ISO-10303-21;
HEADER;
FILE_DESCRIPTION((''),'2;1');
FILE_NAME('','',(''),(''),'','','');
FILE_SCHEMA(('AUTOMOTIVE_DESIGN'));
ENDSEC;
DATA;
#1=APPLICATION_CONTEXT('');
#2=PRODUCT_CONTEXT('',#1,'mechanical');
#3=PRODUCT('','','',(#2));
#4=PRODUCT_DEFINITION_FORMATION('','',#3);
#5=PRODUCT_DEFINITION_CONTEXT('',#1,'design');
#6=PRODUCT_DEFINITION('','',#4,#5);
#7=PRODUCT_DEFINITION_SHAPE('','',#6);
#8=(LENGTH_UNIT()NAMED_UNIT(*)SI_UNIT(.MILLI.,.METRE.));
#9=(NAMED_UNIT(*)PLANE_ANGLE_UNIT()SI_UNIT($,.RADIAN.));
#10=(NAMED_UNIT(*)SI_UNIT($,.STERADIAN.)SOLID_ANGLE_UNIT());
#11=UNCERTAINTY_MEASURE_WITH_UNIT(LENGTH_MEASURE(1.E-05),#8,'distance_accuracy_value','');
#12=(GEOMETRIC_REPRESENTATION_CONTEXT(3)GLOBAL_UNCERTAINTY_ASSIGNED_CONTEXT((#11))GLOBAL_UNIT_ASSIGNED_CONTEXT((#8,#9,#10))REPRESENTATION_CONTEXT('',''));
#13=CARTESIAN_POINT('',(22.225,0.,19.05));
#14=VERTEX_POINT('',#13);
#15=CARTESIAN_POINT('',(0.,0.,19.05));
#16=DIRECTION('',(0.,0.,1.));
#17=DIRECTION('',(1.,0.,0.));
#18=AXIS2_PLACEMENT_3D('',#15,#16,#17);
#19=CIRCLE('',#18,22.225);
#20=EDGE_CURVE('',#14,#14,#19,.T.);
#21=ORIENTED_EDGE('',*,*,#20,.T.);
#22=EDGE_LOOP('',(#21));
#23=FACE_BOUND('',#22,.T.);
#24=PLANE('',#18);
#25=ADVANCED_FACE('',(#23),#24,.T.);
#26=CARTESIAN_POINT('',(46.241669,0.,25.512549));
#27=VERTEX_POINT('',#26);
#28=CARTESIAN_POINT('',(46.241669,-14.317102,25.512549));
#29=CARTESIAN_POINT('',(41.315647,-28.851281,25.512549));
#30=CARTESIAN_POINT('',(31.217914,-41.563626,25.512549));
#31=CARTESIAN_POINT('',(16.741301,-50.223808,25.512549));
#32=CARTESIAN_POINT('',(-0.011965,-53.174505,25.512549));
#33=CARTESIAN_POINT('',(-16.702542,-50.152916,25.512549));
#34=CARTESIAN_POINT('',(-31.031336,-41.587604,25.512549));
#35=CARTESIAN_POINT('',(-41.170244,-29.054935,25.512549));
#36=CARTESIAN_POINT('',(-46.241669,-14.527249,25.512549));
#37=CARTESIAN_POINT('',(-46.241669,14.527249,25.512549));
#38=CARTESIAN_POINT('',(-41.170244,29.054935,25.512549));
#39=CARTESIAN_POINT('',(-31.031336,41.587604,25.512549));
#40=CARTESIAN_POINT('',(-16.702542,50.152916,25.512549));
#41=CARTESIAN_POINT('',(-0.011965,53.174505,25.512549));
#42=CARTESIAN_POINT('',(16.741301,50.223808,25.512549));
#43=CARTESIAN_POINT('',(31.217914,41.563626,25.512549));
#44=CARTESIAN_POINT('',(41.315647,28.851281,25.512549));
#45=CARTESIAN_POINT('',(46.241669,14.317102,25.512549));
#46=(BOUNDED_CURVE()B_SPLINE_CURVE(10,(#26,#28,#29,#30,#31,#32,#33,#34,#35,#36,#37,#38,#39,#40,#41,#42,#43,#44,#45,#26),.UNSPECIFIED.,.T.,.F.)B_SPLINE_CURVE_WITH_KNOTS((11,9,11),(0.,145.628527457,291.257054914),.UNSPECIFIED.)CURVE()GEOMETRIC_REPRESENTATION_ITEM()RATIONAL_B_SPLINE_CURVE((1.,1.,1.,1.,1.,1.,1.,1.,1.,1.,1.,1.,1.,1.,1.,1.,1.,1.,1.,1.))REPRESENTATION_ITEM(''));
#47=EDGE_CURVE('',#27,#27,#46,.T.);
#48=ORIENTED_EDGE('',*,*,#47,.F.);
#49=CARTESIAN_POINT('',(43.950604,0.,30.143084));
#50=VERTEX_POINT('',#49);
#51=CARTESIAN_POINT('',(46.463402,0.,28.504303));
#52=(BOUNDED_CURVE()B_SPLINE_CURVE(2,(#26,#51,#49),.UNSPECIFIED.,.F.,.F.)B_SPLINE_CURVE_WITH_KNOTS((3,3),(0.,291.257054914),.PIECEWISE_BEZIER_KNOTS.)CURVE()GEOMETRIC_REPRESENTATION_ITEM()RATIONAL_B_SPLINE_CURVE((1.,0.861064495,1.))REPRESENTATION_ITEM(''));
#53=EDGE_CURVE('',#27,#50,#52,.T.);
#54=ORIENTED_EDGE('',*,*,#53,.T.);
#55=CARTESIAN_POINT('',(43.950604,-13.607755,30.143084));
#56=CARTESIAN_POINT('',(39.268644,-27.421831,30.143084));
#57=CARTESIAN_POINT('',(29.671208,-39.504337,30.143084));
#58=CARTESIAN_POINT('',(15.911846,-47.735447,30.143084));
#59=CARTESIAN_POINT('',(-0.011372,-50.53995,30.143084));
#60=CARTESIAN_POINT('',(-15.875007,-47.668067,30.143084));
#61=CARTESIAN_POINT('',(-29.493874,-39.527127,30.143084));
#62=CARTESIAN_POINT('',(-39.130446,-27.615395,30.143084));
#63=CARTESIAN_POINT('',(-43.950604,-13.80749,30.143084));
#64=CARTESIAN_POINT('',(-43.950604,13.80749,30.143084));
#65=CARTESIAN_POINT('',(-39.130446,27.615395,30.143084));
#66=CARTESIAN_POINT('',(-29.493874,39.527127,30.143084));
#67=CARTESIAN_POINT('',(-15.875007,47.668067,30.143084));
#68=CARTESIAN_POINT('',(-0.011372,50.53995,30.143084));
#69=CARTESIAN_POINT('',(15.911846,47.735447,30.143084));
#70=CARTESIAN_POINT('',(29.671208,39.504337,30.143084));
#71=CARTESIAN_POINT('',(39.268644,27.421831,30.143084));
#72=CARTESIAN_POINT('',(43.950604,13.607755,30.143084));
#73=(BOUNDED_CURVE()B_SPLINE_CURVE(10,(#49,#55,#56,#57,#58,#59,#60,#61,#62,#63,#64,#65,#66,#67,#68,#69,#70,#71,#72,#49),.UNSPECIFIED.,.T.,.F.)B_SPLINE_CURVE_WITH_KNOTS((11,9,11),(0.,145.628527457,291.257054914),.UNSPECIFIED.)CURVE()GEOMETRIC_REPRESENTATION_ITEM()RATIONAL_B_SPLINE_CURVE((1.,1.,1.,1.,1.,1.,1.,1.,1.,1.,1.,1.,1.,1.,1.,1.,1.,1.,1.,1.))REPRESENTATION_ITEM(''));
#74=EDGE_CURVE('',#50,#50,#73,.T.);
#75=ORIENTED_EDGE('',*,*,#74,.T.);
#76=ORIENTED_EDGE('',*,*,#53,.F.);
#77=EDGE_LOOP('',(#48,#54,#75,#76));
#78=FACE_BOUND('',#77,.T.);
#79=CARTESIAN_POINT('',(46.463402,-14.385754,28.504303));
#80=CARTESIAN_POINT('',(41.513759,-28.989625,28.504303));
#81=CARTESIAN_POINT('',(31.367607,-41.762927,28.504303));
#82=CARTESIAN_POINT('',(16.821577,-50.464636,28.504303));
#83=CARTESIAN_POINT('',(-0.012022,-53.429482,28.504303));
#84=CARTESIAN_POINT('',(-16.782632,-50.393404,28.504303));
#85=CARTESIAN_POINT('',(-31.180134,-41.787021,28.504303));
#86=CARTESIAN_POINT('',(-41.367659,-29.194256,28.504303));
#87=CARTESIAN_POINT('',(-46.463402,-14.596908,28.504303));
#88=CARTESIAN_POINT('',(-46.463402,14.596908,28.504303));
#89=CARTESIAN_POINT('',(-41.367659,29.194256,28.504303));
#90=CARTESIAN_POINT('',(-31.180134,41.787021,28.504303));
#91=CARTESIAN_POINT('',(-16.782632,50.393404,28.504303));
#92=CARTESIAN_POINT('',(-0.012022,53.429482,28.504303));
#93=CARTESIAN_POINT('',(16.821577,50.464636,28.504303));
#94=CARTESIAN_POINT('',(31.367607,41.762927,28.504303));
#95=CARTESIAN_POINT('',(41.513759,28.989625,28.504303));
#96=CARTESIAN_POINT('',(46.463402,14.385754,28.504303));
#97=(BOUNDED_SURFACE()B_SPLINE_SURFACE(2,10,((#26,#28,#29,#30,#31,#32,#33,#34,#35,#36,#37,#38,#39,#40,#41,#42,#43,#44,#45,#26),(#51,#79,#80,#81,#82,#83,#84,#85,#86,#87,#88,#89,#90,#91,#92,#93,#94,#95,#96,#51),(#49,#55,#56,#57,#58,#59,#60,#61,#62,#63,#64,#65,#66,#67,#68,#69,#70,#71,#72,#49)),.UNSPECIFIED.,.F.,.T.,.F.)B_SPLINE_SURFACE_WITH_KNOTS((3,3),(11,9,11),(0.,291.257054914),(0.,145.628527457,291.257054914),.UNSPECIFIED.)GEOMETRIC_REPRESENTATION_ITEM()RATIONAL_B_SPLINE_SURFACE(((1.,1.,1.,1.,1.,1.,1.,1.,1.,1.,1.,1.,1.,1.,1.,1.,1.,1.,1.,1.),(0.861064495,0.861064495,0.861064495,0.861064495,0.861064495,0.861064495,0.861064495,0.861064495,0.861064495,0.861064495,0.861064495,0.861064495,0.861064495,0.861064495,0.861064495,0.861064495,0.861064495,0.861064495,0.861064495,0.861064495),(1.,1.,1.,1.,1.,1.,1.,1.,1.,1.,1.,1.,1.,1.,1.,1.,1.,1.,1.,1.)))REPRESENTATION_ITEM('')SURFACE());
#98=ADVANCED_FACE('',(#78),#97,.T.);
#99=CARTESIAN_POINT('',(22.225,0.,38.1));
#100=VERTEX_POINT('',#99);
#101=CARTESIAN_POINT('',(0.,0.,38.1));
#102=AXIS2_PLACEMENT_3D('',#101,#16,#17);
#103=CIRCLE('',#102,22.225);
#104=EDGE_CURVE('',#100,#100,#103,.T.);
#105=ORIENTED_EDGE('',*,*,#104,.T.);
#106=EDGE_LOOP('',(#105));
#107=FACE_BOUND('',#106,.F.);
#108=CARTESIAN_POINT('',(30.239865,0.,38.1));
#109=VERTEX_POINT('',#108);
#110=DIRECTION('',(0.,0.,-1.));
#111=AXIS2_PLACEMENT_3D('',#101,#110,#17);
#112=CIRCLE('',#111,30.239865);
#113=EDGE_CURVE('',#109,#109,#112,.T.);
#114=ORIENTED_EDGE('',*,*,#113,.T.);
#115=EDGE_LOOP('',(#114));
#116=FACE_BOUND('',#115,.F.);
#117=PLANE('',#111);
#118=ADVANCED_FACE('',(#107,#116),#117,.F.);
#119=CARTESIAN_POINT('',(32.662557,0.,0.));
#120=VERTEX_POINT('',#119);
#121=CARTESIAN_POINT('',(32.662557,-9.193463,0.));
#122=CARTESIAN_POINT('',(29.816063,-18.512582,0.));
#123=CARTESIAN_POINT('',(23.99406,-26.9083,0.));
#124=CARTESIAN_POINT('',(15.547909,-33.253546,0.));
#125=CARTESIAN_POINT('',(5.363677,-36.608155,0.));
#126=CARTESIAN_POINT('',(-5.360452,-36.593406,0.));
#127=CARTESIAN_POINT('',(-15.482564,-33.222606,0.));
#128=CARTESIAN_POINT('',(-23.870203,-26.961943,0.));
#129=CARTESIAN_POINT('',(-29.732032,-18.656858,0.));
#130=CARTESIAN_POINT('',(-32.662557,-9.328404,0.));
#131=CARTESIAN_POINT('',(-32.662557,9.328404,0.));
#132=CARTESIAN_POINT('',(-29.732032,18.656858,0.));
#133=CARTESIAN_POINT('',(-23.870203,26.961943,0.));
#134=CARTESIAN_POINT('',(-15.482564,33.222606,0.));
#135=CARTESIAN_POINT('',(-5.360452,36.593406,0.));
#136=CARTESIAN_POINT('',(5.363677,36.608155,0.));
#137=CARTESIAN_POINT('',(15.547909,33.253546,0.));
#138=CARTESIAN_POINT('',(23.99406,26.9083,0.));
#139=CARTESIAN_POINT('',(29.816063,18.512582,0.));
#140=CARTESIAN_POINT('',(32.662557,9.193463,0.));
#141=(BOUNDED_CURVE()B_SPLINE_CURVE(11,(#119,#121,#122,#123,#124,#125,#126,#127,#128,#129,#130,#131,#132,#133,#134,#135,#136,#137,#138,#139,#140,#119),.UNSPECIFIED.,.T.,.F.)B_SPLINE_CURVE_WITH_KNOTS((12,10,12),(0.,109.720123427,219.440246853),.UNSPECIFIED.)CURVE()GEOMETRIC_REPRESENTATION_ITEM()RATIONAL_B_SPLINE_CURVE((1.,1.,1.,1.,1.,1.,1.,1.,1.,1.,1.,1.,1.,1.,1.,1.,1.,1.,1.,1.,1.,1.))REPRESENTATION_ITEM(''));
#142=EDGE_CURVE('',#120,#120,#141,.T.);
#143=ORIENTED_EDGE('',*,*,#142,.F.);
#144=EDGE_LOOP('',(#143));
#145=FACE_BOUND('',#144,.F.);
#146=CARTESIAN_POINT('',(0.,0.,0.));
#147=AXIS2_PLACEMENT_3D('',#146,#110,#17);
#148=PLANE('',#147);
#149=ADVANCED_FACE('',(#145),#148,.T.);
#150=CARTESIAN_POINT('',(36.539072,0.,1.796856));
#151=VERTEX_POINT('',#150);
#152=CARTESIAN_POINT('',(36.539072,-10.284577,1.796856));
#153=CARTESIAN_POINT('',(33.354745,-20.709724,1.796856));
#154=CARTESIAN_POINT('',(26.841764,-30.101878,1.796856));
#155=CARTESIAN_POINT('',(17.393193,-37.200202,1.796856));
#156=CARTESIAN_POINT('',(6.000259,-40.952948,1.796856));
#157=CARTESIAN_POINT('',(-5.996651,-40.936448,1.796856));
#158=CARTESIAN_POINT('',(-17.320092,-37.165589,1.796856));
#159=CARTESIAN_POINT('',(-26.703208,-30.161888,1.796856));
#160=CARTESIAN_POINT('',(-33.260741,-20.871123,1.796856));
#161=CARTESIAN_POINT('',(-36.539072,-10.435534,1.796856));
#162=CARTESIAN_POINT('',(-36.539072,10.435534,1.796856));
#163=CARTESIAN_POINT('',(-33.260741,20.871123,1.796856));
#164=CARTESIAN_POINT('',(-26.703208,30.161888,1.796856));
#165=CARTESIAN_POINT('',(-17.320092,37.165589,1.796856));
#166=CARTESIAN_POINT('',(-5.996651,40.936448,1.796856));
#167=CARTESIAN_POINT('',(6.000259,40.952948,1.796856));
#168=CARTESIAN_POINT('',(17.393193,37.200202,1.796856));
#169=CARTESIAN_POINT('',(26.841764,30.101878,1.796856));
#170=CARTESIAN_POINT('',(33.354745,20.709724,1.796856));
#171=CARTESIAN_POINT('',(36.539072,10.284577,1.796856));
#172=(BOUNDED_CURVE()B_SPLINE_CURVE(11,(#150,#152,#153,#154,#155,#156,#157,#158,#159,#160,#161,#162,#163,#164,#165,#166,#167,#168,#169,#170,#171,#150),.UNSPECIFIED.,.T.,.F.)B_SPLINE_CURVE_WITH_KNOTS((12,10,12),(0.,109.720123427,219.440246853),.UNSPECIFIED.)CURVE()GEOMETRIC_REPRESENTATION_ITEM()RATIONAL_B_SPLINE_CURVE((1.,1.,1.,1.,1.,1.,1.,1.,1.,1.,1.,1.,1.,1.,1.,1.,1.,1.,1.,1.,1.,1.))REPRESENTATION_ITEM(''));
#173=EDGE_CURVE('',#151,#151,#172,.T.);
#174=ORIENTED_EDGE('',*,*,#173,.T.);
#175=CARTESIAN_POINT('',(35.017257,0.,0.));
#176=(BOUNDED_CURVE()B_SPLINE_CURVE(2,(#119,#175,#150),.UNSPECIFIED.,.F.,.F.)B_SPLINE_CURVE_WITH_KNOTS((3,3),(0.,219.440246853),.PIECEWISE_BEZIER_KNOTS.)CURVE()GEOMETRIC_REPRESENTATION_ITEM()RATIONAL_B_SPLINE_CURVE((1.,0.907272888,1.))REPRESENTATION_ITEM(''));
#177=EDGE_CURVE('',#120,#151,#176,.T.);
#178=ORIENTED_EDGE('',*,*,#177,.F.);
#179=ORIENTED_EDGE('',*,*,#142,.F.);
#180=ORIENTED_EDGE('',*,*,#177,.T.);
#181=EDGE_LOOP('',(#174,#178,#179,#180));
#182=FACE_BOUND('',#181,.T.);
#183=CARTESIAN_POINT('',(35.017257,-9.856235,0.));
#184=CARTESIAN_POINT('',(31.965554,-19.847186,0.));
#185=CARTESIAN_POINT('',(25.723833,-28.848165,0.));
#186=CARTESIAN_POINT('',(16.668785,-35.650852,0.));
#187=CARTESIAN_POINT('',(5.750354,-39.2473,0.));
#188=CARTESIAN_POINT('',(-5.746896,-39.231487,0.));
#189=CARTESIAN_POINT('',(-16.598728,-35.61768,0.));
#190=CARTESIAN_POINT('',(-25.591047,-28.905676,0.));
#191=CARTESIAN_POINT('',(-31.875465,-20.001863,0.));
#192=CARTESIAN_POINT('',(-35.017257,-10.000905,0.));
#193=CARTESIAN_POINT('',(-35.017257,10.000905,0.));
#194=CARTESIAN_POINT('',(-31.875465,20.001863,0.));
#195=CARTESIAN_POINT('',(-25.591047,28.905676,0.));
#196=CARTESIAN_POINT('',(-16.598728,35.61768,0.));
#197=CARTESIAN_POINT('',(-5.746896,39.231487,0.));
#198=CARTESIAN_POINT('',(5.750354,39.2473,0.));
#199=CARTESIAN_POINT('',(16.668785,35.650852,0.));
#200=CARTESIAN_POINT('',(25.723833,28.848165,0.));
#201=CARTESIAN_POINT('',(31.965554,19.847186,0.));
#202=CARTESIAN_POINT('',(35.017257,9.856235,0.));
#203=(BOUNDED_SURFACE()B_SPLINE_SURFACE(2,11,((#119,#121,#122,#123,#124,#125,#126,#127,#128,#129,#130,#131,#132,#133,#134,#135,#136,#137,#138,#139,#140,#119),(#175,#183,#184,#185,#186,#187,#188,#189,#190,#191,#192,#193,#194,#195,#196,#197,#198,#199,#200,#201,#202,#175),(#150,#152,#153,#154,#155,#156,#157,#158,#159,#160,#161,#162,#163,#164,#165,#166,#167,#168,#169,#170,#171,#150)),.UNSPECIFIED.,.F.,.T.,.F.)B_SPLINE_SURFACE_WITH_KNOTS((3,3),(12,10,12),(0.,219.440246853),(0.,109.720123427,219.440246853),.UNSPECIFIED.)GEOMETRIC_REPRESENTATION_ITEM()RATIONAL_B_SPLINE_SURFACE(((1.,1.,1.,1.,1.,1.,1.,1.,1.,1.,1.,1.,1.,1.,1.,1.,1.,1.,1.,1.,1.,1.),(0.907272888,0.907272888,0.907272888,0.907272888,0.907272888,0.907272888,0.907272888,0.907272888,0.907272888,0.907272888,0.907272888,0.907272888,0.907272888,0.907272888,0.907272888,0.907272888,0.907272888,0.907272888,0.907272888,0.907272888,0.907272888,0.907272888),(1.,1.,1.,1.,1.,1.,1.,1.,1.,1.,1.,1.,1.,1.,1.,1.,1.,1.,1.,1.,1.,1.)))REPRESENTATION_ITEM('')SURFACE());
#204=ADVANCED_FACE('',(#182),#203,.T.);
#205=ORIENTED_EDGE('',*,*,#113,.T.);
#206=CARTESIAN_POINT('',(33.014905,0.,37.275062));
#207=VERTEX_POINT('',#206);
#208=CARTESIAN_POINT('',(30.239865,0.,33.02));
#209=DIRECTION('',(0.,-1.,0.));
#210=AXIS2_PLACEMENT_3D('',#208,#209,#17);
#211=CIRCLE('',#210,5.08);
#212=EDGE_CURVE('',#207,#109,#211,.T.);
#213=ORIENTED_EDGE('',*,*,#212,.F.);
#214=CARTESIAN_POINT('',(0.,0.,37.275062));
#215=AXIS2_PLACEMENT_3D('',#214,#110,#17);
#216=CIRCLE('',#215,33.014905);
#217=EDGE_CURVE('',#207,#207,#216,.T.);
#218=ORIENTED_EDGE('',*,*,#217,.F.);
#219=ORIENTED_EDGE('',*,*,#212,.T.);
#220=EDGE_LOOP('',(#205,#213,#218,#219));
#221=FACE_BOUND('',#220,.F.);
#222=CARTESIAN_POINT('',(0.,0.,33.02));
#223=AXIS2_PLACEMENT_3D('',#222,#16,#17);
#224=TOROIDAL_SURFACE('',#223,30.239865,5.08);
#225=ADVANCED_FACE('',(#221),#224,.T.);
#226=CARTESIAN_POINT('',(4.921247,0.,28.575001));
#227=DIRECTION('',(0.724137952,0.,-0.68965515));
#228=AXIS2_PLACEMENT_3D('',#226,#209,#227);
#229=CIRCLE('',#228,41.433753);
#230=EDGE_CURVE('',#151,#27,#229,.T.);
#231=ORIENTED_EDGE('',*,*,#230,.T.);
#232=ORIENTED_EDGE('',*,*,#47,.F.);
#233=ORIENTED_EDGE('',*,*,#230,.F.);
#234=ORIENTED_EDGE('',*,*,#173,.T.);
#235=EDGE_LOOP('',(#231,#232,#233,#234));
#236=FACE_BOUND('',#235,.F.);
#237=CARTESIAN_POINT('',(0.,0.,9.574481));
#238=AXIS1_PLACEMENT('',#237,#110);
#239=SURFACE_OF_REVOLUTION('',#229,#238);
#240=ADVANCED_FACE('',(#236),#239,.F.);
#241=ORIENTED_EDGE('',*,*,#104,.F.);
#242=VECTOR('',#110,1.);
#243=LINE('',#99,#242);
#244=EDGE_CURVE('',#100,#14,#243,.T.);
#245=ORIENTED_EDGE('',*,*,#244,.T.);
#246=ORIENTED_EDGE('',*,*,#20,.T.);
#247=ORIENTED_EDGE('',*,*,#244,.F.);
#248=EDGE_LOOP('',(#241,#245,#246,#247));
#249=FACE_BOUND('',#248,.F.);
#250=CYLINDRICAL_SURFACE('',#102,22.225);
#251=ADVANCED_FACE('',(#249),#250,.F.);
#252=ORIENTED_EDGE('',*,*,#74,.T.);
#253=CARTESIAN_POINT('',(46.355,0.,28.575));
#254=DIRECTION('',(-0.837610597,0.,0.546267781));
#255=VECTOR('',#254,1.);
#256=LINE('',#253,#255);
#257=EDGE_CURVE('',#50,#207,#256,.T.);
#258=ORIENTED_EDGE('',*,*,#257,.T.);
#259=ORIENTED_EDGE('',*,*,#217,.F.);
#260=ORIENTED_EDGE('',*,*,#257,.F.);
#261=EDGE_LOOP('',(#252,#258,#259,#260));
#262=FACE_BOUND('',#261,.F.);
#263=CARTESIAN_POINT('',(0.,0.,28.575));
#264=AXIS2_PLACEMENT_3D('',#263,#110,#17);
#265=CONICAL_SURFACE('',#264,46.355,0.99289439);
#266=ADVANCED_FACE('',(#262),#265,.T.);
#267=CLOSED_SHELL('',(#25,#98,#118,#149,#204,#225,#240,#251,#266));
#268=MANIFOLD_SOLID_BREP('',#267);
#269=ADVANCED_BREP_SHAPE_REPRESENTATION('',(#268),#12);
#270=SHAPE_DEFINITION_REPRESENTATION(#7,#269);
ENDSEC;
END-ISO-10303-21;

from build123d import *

# Parameters (mm, degrees)
F2_R     = 5.08
F3_R     = 22.225
F4_DEPTH = 19.05


with BuildPart() as f1:
    # F0 (on Front) → F1 (revolve)
    with BuildSketch(Plane.XZ):
        with BuildLine():
            Line((0, 38.1), (0, 0))
            Line((0, 0), (34.925, 0))
            ThreePointArc((34.925, 0), (43.391521, 13.186892), (46.355, 28.575))
            Line((46.355, 28.575), (31.75, 38.1))
            Line((31.75, 38.1), (0, 38.1))
        make_face()
    revolve(axis=Axis((0, 0, 9.574481), (0, 0, -1)))

    # F2
    f2_edges = [f1.edges().sort_by_distance(p)[0] for p in [
        (-46.355, 0, 28.575),
        (-31.75, 0, 38.1),
        (-34.925, 0, 0),
    ]]
    fillet(f2_edges, radius=F2_R)

    # F3 (on face) → F4 (cut)
    with BuildSketch(Plane.XY.offset(38.1)):
        Circle(F3_R)
    extrude(amount=-F4_DEPTH, mode=Mode.SUBTRACT)


solid = f1.part
